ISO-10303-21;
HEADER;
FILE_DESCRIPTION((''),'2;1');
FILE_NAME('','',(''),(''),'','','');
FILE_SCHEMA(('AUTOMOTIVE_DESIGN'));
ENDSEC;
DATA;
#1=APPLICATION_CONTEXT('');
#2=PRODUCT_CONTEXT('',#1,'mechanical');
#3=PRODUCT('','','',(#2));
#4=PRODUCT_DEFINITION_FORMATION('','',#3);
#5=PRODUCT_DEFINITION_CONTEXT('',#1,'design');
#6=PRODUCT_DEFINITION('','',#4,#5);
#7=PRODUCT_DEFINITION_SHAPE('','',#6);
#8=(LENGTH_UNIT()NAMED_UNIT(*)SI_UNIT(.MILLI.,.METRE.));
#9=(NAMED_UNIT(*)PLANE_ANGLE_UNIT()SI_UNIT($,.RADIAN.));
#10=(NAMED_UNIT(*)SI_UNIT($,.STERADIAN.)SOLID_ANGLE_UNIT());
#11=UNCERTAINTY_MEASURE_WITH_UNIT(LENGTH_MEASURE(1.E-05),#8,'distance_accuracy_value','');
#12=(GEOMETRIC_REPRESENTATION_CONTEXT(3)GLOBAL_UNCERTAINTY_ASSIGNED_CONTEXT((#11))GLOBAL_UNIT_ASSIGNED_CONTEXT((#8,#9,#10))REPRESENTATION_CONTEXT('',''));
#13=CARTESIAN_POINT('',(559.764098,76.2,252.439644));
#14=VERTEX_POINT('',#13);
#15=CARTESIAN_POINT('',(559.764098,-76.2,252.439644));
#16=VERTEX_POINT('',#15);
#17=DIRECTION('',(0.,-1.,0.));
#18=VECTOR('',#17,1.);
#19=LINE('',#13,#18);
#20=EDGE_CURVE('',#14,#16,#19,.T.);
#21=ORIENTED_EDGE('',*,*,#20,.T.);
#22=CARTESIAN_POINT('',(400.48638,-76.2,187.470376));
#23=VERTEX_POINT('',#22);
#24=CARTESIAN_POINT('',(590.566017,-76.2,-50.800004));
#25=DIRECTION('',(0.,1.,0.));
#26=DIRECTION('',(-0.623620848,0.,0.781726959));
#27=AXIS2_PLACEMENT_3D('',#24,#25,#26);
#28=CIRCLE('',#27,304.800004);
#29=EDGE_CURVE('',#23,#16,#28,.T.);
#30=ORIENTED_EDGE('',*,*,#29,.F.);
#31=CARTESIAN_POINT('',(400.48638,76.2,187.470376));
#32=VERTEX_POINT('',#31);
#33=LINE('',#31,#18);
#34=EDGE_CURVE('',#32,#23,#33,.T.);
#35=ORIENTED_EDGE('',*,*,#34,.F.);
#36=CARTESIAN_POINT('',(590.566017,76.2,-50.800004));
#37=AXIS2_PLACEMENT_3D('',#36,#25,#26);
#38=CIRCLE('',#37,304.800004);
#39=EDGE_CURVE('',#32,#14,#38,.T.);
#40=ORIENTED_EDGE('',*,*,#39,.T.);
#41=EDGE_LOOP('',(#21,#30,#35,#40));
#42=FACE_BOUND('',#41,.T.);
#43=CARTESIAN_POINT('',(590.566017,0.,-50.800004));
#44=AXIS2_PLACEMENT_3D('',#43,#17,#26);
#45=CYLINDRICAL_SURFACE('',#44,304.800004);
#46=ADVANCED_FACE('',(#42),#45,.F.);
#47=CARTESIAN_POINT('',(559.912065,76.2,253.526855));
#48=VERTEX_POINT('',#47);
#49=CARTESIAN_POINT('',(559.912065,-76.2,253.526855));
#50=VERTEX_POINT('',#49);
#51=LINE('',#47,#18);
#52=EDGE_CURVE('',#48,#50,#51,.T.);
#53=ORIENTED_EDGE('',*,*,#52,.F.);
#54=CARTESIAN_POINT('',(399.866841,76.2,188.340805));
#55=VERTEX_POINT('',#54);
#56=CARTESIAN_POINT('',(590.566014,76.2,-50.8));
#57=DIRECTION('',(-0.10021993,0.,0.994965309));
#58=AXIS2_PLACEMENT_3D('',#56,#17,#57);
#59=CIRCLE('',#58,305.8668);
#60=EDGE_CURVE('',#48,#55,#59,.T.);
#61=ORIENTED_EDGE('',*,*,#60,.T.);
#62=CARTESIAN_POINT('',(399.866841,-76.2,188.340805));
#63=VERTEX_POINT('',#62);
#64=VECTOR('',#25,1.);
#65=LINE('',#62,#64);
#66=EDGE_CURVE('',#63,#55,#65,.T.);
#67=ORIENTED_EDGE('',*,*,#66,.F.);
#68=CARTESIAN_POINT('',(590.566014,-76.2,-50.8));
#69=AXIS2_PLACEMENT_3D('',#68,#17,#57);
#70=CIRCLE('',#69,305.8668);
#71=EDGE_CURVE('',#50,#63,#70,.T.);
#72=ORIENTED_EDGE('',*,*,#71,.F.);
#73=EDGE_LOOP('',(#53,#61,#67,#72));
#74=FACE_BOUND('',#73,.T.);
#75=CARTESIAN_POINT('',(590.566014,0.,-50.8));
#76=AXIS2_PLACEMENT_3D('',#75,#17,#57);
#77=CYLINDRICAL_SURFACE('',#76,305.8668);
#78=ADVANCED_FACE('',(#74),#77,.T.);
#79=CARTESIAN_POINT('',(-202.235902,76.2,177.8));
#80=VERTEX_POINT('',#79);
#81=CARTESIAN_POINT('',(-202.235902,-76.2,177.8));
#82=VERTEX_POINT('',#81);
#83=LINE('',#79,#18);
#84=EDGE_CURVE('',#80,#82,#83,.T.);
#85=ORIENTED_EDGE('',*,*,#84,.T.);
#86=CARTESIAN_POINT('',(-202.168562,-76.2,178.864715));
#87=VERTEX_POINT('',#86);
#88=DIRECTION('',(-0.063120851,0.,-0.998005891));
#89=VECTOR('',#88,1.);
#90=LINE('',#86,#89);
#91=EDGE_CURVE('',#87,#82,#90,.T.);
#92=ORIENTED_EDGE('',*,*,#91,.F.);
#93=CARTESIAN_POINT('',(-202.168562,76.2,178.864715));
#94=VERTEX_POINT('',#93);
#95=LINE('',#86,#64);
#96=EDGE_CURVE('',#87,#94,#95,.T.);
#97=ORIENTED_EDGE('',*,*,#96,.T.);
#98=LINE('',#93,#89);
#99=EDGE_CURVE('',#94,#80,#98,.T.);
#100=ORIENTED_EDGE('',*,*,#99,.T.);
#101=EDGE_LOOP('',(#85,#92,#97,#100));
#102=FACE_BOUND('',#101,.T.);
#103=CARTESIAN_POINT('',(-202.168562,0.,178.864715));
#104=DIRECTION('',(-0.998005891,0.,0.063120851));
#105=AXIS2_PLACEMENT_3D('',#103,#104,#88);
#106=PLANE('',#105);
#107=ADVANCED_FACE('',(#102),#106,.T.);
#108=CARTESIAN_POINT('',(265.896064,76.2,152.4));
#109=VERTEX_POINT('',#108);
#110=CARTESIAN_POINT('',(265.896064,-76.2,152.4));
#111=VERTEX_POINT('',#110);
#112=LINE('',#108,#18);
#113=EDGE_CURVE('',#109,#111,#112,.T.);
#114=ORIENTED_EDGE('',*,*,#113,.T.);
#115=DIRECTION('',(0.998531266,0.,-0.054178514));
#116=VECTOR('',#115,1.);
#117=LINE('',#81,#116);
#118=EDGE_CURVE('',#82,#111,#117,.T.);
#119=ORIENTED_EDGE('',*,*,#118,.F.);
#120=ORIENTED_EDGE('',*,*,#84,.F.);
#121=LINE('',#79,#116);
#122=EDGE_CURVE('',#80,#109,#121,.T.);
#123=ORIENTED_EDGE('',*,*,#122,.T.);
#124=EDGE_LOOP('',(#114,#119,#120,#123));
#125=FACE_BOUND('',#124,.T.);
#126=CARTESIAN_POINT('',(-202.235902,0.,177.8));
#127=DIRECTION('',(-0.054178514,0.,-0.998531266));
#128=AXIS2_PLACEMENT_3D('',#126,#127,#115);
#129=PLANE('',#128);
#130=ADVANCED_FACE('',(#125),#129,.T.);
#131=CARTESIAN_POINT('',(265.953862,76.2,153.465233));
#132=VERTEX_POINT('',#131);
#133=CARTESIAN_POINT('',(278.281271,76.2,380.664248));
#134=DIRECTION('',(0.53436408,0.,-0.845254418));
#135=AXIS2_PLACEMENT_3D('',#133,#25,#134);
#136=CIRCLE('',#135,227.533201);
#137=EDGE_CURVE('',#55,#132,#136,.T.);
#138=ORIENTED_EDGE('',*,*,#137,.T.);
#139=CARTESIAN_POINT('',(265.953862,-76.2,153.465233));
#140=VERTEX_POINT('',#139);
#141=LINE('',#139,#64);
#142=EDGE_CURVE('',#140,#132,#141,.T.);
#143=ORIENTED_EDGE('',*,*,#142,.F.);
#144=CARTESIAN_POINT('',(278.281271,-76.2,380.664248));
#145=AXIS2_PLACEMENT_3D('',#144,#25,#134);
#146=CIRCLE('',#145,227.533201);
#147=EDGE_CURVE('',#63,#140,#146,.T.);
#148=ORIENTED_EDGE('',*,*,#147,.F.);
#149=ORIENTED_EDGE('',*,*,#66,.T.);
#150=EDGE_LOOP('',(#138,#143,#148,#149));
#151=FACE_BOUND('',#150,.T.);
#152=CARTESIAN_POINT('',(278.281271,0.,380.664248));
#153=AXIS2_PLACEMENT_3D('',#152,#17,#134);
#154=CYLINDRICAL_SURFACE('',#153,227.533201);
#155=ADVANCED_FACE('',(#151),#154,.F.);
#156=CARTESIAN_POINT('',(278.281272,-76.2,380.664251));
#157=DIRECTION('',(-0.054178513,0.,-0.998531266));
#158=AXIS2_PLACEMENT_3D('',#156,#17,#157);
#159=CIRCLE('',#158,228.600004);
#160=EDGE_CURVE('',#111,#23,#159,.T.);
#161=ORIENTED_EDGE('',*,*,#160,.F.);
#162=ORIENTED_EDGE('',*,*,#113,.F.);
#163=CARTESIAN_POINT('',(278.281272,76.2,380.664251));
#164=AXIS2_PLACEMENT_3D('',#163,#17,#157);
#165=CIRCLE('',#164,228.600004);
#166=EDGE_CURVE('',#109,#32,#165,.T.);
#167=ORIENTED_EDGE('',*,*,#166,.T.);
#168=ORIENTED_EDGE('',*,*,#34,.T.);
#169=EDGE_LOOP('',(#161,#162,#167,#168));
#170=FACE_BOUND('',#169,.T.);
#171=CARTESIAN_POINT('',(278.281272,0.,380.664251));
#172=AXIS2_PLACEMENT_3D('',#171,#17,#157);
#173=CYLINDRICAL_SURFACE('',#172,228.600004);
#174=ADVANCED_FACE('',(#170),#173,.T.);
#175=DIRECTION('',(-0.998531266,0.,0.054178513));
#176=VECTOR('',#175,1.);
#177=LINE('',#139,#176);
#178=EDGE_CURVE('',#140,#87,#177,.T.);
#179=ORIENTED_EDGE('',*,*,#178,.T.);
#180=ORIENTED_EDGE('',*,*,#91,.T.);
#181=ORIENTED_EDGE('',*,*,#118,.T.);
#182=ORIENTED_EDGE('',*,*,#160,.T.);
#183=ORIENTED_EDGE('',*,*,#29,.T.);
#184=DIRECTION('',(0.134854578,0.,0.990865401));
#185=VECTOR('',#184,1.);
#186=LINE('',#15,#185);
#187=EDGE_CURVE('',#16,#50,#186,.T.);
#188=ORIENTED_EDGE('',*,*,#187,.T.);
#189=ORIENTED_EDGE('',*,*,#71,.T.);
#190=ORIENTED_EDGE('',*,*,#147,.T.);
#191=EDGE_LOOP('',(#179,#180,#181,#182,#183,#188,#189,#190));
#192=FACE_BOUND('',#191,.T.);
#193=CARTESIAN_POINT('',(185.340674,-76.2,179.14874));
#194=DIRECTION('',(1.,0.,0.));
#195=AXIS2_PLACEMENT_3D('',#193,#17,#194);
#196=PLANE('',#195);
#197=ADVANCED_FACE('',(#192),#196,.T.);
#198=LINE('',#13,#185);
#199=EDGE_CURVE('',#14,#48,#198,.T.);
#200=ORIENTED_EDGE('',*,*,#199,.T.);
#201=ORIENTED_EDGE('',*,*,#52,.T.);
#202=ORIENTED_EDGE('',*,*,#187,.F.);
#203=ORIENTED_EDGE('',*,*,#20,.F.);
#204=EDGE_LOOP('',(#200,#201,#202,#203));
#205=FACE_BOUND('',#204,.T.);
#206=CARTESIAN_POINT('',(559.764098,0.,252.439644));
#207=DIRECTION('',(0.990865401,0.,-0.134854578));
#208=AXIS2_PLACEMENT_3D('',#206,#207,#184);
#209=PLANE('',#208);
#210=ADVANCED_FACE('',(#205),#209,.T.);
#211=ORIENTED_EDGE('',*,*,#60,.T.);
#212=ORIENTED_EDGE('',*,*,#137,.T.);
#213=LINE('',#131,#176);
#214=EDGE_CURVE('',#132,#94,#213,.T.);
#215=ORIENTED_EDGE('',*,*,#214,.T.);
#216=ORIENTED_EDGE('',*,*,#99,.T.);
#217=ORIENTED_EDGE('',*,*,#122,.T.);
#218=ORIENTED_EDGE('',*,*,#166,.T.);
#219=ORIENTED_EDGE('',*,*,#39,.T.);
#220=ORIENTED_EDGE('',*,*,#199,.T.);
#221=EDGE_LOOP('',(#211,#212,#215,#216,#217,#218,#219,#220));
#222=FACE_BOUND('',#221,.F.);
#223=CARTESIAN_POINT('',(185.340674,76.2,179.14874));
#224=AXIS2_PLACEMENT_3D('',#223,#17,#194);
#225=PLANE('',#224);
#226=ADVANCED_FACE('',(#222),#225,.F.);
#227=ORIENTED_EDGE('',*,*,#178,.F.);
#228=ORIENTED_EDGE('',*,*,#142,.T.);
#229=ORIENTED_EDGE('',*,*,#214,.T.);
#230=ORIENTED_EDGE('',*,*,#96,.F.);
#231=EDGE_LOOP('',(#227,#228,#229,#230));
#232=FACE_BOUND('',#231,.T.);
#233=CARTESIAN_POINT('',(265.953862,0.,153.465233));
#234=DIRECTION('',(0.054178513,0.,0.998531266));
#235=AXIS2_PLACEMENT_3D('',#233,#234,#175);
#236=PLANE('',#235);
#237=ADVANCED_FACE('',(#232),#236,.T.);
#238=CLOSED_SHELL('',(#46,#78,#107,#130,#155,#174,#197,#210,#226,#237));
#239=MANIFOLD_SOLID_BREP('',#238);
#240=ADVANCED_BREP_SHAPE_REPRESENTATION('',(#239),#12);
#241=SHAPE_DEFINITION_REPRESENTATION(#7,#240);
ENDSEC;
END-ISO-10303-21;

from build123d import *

# Parameters (mm, degrees)
F1_DEPTH      = 76.2
F1_DEPTH_BACK = 76.2


with BuildPart() as f1:
    # F0 (on Front) → F1 (new body, two sides)
    with BuildSketch(Plane.XZ) as f1_sk:
        with BuildLine():
            Line((-202.168562, 178.864715), (-202.235902, 177.8))
            Line((-202.235902, 177.8), (265.896064, 152.4))
            ThreePointArc((265.896064, 152.4), (335.923144, 159.450833), (400.48638, 187.470376))
            ThreePointArc((400.48638, 187.470376), (475.446875, 231.42442), (559.764098, 252.439644))
            Line((559.764098, 252.439644), (559.912065, 253.526855))
            ThreePointArc((559.912065, 253.526855), (475.190079, 232.471765), (399.866841, 188.340805))
            ThreePointArc((399.866841, 188.340805), (335.625955, 160.475818), (265.953862, 153.465233))
            Line((265.953862, 153.465233), (-202.168562, 178.864715))
        make_face()
    extrude(amount=F1_DEPTH)
    extrude(f1_sk.sketch, amount=-F1_DEPTH_BACK)


solid = f1.part
